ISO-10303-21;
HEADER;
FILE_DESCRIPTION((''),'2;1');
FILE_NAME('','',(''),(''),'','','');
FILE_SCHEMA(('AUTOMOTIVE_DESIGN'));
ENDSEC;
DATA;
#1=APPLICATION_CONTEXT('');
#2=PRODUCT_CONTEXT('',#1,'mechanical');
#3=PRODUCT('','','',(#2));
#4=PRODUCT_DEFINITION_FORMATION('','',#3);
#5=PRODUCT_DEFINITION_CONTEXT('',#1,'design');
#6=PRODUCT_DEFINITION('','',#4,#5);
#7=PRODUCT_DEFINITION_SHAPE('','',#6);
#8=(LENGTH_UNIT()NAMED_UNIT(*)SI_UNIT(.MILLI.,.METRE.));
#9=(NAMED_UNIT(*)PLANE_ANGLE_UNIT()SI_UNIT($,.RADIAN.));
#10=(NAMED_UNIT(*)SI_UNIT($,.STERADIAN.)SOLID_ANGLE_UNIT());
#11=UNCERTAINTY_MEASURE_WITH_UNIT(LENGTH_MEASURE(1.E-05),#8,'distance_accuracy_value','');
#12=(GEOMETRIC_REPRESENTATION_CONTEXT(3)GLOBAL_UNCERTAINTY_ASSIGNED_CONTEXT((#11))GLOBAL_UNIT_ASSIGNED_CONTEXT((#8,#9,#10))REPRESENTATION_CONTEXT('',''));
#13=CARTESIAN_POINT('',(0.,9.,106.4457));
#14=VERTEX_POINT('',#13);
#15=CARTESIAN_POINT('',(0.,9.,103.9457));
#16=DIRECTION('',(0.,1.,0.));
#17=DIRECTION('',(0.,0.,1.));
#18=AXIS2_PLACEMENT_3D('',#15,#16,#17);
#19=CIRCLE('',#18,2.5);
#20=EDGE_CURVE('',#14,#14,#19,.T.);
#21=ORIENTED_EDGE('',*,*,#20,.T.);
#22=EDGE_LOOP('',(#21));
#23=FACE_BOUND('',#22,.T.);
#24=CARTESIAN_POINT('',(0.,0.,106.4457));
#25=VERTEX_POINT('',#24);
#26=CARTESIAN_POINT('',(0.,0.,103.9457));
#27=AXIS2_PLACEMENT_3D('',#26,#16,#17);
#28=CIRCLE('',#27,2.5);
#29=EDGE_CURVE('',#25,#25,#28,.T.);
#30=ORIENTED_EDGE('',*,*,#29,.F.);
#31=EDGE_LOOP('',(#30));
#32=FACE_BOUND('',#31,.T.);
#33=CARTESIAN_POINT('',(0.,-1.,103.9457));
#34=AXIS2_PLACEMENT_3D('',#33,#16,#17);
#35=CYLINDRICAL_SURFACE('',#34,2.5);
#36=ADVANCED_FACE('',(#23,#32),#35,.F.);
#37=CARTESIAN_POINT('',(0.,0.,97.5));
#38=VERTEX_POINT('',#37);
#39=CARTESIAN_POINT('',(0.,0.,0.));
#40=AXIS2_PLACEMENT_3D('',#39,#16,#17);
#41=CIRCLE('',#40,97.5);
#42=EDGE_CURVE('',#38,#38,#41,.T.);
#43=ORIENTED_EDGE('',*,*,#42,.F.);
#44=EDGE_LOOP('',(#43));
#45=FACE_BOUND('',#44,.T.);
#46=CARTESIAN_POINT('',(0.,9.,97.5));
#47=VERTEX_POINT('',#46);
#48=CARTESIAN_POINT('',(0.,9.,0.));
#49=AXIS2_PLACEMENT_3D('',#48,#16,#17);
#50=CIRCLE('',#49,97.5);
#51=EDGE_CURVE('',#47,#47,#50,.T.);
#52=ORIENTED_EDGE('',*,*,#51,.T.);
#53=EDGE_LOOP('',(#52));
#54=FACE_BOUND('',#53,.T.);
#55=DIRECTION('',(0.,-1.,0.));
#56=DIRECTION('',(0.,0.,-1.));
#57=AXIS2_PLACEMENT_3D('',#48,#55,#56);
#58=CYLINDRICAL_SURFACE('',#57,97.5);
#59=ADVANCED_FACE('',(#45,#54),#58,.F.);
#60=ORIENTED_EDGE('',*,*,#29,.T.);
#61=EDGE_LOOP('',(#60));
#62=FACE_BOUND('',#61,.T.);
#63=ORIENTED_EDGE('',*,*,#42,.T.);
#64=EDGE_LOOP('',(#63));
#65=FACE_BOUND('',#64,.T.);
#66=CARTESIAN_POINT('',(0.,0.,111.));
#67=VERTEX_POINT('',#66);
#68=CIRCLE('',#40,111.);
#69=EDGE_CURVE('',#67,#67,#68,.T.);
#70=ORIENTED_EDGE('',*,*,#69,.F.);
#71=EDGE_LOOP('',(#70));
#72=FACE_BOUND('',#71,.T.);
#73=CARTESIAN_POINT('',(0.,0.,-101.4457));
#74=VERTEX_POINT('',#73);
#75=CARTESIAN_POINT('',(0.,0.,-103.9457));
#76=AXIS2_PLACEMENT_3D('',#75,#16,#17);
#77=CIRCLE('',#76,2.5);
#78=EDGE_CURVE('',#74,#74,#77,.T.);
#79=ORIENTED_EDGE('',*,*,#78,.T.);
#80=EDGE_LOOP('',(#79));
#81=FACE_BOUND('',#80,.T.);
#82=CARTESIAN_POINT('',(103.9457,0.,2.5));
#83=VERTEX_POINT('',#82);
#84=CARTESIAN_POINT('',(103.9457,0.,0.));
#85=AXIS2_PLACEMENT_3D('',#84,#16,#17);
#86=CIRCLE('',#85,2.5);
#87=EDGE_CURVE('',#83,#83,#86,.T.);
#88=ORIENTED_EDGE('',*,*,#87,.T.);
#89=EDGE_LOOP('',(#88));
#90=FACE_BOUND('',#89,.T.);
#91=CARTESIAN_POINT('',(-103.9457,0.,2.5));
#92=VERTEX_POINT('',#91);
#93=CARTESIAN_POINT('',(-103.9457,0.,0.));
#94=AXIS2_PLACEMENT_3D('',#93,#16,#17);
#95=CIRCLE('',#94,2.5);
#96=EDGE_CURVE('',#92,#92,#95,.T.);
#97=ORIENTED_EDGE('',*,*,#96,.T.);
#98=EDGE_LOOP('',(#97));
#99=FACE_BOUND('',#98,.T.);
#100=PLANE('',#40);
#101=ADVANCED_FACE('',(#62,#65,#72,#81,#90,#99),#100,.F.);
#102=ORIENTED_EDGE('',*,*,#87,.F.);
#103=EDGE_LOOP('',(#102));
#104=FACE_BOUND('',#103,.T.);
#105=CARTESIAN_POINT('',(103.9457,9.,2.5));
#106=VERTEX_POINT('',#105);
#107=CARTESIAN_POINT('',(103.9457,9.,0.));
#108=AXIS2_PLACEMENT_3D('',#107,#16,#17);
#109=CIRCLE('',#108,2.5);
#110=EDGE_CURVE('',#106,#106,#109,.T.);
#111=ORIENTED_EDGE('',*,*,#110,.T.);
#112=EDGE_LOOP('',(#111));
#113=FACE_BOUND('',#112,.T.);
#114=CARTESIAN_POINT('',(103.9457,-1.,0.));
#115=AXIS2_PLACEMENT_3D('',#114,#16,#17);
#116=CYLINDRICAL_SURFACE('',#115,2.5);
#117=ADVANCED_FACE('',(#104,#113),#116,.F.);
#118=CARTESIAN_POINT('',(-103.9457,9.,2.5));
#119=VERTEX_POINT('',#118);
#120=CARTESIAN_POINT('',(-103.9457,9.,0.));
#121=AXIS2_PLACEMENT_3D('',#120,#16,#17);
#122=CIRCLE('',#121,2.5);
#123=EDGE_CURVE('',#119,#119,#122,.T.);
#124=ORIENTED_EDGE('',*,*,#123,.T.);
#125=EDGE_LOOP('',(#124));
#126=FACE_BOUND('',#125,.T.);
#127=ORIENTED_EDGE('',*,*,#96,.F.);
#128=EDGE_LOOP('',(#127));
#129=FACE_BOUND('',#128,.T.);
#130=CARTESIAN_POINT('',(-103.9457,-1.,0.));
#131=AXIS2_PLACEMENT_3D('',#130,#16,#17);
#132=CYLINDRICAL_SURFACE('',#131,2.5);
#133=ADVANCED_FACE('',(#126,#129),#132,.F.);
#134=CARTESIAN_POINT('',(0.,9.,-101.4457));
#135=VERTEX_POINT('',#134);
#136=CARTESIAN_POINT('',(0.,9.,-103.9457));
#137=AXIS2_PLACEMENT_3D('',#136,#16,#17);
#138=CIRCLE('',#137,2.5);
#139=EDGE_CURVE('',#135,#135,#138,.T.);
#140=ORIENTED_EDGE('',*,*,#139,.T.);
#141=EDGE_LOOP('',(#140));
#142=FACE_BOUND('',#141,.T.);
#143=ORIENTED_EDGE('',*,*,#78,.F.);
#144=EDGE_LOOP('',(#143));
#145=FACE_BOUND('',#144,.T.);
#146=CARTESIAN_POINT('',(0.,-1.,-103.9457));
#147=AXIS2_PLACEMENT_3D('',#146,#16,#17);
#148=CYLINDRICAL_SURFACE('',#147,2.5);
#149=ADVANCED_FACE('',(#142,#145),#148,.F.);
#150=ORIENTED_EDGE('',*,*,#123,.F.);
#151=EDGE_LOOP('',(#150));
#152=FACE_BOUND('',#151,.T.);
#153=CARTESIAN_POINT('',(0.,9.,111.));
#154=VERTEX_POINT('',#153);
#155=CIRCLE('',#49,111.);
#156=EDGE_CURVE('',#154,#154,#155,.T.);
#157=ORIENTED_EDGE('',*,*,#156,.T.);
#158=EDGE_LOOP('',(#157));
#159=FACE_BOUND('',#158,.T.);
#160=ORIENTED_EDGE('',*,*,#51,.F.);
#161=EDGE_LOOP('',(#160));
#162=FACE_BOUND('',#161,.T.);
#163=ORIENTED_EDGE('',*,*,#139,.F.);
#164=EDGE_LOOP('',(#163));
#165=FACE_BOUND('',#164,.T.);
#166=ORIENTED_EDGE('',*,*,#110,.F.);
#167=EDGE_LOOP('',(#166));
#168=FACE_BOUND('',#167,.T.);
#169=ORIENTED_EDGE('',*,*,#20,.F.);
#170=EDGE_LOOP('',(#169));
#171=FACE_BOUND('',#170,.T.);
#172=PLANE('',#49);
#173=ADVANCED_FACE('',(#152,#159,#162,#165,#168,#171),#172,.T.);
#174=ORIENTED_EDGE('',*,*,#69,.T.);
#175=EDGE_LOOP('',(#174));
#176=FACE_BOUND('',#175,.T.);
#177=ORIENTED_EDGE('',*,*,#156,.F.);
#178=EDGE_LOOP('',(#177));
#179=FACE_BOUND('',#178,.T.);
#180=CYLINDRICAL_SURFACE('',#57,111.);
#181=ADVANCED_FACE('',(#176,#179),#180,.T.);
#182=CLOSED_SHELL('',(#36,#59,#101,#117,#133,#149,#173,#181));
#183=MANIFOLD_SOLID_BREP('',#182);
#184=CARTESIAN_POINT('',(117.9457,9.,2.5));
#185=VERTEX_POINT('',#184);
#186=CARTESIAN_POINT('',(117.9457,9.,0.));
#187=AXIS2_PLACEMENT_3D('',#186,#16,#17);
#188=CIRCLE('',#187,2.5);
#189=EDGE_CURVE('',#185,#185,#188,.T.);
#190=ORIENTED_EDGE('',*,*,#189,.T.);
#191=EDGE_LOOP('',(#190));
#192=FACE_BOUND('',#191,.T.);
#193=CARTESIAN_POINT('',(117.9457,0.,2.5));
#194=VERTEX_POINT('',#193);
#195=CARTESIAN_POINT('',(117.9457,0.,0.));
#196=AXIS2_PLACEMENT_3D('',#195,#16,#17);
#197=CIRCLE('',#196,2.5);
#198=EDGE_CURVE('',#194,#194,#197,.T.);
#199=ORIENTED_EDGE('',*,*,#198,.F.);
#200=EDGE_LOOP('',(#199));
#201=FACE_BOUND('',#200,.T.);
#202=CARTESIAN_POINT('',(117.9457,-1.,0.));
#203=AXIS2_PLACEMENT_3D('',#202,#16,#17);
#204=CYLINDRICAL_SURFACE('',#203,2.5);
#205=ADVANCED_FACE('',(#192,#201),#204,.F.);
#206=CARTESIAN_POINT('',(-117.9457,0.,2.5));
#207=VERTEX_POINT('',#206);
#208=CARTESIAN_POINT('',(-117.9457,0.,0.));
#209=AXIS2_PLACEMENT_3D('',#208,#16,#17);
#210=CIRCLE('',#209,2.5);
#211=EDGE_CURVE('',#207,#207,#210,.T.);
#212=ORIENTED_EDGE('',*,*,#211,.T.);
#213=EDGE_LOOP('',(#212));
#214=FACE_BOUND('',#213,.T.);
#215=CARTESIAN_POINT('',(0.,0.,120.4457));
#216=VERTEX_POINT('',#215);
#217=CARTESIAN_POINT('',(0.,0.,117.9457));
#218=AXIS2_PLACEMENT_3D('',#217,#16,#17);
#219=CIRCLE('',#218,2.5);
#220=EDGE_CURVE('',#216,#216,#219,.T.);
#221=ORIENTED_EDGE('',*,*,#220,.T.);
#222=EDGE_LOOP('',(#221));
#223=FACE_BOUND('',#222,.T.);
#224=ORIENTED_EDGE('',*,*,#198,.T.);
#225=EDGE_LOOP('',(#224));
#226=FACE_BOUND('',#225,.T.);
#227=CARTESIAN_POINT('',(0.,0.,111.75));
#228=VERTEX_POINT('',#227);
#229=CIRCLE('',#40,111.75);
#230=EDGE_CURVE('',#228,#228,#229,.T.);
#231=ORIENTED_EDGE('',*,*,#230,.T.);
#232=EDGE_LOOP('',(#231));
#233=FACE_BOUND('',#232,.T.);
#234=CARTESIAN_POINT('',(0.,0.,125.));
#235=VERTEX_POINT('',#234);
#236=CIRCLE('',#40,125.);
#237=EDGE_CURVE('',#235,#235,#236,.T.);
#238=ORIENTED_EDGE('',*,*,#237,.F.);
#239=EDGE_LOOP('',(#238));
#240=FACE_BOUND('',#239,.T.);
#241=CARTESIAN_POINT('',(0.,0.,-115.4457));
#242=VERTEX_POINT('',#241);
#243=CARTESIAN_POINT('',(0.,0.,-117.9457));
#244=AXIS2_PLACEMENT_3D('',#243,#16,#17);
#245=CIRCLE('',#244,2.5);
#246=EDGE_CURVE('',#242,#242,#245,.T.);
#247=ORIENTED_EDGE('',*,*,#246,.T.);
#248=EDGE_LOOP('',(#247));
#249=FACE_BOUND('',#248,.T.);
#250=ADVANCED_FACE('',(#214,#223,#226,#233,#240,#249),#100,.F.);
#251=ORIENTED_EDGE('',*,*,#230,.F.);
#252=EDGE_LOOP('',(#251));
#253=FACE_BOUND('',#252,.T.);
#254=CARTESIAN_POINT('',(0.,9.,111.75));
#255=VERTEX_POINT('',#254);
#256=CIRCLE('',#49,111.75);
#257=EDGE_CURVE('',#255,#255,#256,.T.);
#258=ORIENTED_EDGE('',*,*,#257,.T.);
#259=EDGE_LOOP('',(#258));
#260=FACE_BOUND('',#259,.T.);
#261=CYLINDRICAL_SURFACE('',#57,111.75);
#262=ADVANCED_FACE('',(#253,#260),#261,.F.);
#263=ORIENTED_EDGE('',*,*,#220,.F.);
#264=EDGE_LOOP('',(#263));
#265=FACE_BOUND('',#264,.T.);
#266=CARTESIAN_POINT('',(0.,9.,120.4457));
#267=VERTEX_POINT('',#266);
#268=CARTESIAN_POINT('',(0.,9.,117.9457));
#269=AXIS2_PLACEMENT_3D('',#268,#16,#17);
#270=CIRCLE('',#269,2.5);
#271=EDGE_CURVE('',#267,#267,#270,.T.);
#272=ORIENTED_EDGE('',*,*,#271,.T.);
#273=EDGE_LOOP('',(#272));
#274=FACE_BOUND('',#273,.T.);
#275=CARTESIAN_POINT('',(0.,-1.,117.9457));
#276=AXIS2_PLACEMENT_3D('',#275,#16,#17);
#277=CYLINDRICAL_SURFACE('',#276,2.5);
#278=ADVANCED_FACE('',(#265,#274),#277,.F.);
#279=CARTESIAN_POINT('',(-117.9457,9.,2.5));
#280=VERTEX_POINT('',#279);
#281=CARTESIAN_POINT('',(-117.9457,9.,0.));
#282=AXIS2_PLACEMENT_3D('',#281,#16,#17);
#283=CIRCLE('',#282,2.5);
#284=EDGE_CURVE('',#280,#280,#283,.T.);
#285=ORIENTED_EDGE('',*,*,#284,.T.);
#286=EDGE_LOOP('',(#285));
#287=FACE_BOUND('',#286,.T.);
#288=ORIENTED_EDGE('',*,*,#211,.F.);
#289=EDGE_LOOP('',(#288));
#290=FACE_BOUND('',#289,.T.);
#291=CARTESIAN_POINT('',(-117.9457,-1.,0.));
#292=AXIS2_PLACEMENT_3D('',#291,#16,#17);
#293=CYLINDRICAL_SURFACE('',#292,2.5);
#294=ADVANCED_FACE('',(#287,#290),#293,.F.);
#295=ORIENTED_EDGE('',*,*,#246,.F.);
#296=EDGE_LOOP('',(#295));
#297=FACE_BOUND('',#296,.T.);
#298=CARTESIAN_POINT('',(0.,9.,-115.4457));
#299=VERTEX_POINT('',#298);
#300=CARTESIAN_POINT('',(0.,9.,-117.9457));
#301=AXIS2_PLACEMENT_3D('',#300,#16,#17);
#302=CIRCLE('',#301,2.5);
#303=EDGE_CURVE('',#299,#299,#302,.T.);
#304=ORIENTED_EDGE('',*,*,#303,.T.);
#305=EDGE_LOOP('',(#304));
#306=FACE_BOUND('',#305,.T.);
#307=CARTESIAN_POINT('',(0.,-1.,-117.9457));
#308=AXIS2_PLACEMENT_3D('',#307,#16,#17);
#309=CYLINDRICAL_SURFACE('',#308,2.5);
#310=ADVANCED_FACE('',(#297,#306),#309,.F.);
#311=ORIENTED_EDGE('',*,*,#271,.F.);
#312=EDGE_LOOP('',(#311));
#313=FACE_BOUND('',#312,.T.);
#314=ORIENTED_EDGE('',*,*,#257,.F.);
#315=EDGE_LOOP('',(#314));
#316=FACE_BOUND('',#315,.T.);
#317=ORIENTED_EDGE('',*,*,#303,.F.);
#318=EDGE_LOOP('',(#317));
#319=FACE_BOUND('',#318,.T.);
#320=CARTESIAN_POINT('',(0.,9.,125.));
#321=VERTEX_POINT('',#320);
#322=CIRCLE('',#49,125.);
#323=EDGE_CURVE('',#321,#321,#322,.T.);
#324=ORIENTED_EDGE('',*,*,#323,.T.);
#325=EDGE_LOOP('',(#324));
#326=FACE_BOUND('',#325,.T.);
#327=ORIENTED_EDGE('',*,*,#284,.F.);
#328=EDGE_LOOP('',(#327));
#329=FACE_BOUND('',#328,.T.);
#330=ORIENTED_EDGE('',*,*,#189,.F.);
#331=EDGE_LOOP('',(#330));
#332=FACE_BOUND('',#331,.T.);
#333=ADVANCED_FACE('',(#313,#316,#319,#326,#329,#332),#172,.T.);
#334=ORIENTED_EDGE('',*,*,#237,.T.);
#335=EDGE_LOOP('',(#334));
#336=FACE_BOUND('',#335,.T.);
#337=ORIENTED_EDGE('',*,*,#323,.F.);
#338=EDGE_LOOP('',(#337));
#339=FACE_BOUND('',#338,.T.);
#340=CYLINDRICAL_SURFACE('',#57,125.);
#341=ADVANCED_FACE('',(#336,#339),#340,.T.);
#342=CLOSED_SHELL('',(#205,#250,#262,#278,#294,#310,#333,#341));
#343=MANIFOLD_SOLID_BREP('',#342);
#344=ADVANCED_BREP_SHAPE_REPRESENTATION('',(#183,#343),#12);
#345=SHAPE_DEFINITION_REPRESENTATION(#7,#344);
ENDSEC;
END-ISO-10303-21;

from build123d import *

# Parameters (mm, degrees)
SKETCH1_R           = 125
SKETCH1_R_2         = 111.75
BOSS_EXTRUDE1_DEPTH = 9
SKETCH2_R           = 111
SKETCH2_R_2         = 97.5
BOSS_EXTRUDE2_DEPTH = 9
SKETCH_1_R          = 2.5
CUT_EXTRUDE_1_DEPTH = 10
SKETCH_2_R          = 2.5
CUT_EXTRUDE_2_DEPTH = 10


with BuildPart() as part:
    # Sketch1 → Boss-Extrude1 (new body)
    with BuildSketch(Plane(origin=(0, 0, 0), x_dir=(1, 0, 0), z_dir=(0, 1, 0))):
        with Locations(Location((0, 0, 0), (0, 0, 270))):
            Circle(SKETCH1_R)
        with Locations(Location((0, 0, 0), (0, 0, 270))):
            Circle(SKETCH1_R_2, mode=Mode.SUBTRACT)
    extrude(amount=BOSS_EXTRUDE1_DEPTH)

    # 草图2 → 切除-拉伸2 (cut)
    with BuildSketch(Plane(origin=(0, 9, 0), x_dir=(1, 0, 0), z_dir=(0, 1, 0))):
        with Locations(Location((0, 117.9457, 0), (0, 0, 270))):
            Circle(SKETCH_2_R)
        with Locations(Location((117.9457, 0, 0), (0, 0, 270))):
            Circle(SKETCH_2_R)
        with Locations(Location((0, -117.9457, 0), (0, 0, 270))):
            Circle(SKETCH_2_R)
        with Locations(Location((-117.9457, 0, 0), (0, 0, 270))):
            Circle(SKETCH_2_R)
    extrude(amount=-CUT_EXTRUDE_2_DEPTH, mode=Mode.SUBTRACT)


with BuildPart() as body_2:
    # Sketch2 → Boss-Extrude2 (new body)
    with BuildSketch(Plane(origin=(0, 0, 0), x_dir=(1, 0, 0), z_dir=(0, 1, 0))):
        with Locations(Location((0, 0, 0), (0, 0, 270))):
            Circle(SKETCH2_R)
        with Locations(Location((0, 0, 0), (0, 0, 270))):
            Circle(SKETCH2_R_2, mode=Mode.SUBTRACT)
    extrude(amount=BOSS_EXTRUDE2_DEPTH)

    # 草图1 → 切除-拉伸1 (cut)
    with BuildSketch(Plane(origin=(0, 9, 0), x_dir=(1, 0, 0), z_dir=(0, 1, 0))):
        with Locations(Location((0, 103.9457, 0), (0, 0, 270))):
            Circle(SKETCH_1_R)
        with Locations(Location((103.9457, 0, 0), (0, 0, 270))):
            Circle(SKETCH_1_R)
        with Locations(Location((0, -103.9457, 0), (0, 0, 270))):
            Circle(SKETCH_1_R)
        with Locations(Location((-103.9457, 0, 0), (0, 0, 270))):
            Circle(SKETCH_1_R)
    extrude(amount=-CUT_EXTRUDE_1_DEPTH, mode=Mode.SUBTRACT)


solid = Compound([part.part, body_2.part])
